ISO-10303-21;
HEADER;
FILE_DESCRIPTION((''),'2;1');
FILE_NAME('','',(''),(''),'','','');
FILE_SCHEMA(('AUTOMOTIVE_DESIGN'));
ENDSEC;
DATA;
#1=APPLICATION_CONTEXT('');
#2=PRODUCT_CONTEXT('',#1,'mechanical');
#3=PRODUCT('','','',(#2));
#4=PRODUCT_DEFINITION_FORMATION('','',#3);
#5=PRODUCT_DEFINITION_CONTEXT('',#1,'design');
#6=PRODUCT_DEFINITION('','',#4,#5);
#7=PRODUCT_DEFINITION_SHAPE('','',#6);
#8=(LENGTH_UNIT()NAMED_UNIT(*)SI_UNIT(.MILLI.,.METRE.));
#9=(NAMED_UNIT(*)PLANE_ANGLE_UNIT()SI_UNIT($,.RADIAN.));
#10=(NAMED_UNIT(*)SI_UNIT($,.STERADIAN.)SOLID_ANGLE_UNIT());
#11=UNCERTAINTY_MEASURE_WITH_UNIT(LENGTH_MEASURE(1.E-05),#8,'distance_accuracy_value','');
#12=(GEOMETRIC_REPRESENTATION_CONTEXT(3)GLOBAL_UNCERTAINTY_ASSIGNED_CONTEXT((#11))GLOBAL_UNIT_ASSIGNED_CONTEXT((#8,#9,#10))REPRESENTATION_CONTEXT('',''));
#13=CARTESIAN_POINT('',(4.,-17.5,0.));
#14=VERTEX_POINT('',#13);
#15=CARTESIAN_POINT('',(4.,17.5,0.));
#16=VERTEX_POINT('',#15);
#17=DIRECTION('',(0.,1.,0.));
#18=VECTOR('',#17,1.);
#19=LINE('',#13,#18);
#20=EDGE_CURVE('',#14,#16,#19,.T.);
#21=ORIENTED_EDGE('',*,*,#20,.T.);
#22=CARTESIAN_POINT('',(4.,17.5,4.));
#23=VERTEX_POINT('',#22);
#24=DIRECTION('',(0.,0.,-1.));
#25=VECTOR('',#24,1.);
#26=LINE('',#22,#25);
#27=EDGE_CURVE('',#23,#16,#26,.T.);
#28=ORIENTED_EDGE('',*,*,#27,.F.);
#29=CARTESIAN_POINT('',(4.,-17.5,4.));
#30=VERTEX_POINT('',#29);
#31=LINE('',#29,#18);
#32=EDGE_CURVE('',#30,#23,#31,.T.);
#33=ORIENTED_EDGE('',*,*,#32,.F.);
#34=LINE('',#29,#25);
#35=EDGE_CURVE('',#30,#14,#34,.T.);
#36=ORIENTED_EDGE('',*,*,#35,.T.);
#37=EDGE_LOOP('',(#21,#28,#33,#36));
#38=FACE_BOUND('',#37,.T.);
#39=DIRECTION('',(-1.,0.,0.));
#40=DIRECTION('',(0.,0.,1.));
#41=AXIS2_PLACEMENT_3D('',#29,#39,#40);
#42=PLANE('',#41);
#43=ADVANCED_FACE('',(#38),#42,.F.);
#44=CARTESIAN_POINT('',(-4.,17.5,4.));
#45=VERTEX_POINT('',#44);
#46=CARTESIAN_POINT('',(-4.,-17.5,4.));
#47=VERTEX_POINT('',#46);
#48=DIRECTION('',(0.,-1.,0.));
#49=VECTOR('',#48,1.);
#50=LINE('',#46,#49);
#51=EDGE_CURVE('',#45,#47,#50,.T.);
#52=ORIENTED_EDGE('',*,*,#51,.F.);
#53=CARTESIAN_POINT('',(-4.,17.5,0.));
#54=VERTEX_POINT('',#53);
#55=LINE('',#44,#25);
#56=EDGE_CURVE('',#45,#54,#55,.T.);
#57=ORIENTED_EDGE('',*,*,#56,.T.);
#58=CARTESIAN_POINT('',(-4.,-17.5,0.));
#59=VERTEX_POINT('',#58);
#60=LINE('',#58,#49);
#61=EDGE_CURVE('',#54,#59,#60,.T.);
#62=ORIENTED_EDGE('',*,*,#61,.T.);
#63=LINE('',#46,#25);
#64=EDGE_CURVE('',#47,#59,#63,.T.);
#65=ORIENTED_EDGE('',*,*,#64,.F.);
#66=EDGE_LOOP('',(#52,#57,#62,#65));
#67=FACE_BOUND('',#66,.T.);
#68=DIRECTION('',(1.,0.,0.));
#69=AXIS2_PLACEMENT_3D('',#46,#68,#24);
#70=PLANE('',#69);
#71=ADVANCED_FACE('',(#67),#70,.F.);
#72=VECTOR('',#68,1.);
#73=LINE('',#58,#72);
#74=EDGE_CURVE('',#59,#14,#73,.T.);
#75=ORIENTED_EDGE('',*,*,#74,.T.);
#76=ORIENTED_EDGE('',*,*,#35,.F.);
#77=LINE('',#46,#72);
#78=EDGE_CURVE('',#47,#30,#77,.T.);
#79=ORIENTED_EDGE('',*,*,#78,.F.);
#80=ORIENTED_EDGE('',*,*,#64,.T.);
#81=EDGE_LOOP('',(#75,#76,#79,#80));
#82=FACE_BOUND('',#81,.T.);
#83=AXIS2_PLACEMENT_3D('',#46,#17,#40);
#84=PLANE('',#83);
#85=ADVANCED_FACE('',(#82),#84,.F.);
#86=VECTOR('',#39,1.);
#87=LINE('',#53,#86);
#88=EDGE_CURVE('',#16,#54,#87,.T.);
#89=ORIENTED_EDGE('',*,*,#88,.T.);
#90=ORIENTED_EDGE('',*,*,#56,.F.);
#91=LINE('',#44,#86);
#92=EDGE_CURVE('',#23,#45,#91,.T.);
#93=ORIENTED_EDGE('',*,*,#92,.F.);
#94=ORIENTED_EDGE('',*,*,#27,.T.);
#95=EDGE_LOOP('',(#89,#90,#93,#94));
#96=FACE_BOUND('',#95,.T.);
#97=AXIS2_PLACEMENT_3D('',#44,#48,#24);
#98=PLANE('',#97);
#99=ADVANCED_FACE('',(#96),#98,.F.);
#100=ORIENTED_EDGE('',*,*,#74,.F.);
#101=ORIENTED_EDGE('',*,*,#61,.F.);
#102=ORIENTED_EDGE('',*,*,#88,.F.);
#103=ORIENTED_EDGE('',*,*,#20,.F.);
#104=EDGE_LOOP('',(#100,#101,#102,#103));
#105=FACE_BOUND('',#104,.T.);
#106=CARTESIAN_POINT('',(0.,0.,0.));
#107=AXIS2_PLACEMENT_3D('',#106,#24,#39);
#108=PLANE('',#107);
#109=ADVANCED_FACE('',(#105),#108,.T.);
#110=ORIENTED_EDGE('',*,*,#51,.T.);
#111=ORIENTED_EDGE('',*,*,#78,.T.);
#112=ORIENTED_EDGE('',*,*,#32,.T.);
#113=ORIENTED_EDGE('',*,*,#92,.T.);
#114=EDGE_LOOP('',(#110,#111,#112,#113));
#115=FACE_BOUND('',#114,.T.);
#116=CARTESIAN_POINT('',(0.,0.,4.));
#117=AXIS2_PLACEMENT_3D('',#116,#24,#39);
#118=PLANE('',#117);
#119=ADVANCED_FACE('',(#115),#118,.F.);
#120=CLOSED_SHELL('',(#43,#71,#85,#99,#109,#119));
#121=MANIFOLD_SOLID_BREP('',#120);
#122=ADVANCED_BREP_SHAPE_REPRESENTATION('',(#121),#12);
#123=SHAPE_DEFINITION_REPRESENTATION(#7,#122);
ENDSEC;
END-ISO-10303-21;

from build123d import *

# Parameters (mm, degrees)
SKETCH1_W           = 8
SKETCH1_H           = 35
BOSS_EXTRUDE1_DEPTH = 4


with BuildPart() as part:
    # Sketch1 → Boss-Extrude1 (new body)
    with BuildSketch(Plane.XY):
        Rectangle(SKETCH1_W, SKETCH1_H)
    extrude(amount=BOSS_EXTRUDE1_DEPTH)


solid = part.part
